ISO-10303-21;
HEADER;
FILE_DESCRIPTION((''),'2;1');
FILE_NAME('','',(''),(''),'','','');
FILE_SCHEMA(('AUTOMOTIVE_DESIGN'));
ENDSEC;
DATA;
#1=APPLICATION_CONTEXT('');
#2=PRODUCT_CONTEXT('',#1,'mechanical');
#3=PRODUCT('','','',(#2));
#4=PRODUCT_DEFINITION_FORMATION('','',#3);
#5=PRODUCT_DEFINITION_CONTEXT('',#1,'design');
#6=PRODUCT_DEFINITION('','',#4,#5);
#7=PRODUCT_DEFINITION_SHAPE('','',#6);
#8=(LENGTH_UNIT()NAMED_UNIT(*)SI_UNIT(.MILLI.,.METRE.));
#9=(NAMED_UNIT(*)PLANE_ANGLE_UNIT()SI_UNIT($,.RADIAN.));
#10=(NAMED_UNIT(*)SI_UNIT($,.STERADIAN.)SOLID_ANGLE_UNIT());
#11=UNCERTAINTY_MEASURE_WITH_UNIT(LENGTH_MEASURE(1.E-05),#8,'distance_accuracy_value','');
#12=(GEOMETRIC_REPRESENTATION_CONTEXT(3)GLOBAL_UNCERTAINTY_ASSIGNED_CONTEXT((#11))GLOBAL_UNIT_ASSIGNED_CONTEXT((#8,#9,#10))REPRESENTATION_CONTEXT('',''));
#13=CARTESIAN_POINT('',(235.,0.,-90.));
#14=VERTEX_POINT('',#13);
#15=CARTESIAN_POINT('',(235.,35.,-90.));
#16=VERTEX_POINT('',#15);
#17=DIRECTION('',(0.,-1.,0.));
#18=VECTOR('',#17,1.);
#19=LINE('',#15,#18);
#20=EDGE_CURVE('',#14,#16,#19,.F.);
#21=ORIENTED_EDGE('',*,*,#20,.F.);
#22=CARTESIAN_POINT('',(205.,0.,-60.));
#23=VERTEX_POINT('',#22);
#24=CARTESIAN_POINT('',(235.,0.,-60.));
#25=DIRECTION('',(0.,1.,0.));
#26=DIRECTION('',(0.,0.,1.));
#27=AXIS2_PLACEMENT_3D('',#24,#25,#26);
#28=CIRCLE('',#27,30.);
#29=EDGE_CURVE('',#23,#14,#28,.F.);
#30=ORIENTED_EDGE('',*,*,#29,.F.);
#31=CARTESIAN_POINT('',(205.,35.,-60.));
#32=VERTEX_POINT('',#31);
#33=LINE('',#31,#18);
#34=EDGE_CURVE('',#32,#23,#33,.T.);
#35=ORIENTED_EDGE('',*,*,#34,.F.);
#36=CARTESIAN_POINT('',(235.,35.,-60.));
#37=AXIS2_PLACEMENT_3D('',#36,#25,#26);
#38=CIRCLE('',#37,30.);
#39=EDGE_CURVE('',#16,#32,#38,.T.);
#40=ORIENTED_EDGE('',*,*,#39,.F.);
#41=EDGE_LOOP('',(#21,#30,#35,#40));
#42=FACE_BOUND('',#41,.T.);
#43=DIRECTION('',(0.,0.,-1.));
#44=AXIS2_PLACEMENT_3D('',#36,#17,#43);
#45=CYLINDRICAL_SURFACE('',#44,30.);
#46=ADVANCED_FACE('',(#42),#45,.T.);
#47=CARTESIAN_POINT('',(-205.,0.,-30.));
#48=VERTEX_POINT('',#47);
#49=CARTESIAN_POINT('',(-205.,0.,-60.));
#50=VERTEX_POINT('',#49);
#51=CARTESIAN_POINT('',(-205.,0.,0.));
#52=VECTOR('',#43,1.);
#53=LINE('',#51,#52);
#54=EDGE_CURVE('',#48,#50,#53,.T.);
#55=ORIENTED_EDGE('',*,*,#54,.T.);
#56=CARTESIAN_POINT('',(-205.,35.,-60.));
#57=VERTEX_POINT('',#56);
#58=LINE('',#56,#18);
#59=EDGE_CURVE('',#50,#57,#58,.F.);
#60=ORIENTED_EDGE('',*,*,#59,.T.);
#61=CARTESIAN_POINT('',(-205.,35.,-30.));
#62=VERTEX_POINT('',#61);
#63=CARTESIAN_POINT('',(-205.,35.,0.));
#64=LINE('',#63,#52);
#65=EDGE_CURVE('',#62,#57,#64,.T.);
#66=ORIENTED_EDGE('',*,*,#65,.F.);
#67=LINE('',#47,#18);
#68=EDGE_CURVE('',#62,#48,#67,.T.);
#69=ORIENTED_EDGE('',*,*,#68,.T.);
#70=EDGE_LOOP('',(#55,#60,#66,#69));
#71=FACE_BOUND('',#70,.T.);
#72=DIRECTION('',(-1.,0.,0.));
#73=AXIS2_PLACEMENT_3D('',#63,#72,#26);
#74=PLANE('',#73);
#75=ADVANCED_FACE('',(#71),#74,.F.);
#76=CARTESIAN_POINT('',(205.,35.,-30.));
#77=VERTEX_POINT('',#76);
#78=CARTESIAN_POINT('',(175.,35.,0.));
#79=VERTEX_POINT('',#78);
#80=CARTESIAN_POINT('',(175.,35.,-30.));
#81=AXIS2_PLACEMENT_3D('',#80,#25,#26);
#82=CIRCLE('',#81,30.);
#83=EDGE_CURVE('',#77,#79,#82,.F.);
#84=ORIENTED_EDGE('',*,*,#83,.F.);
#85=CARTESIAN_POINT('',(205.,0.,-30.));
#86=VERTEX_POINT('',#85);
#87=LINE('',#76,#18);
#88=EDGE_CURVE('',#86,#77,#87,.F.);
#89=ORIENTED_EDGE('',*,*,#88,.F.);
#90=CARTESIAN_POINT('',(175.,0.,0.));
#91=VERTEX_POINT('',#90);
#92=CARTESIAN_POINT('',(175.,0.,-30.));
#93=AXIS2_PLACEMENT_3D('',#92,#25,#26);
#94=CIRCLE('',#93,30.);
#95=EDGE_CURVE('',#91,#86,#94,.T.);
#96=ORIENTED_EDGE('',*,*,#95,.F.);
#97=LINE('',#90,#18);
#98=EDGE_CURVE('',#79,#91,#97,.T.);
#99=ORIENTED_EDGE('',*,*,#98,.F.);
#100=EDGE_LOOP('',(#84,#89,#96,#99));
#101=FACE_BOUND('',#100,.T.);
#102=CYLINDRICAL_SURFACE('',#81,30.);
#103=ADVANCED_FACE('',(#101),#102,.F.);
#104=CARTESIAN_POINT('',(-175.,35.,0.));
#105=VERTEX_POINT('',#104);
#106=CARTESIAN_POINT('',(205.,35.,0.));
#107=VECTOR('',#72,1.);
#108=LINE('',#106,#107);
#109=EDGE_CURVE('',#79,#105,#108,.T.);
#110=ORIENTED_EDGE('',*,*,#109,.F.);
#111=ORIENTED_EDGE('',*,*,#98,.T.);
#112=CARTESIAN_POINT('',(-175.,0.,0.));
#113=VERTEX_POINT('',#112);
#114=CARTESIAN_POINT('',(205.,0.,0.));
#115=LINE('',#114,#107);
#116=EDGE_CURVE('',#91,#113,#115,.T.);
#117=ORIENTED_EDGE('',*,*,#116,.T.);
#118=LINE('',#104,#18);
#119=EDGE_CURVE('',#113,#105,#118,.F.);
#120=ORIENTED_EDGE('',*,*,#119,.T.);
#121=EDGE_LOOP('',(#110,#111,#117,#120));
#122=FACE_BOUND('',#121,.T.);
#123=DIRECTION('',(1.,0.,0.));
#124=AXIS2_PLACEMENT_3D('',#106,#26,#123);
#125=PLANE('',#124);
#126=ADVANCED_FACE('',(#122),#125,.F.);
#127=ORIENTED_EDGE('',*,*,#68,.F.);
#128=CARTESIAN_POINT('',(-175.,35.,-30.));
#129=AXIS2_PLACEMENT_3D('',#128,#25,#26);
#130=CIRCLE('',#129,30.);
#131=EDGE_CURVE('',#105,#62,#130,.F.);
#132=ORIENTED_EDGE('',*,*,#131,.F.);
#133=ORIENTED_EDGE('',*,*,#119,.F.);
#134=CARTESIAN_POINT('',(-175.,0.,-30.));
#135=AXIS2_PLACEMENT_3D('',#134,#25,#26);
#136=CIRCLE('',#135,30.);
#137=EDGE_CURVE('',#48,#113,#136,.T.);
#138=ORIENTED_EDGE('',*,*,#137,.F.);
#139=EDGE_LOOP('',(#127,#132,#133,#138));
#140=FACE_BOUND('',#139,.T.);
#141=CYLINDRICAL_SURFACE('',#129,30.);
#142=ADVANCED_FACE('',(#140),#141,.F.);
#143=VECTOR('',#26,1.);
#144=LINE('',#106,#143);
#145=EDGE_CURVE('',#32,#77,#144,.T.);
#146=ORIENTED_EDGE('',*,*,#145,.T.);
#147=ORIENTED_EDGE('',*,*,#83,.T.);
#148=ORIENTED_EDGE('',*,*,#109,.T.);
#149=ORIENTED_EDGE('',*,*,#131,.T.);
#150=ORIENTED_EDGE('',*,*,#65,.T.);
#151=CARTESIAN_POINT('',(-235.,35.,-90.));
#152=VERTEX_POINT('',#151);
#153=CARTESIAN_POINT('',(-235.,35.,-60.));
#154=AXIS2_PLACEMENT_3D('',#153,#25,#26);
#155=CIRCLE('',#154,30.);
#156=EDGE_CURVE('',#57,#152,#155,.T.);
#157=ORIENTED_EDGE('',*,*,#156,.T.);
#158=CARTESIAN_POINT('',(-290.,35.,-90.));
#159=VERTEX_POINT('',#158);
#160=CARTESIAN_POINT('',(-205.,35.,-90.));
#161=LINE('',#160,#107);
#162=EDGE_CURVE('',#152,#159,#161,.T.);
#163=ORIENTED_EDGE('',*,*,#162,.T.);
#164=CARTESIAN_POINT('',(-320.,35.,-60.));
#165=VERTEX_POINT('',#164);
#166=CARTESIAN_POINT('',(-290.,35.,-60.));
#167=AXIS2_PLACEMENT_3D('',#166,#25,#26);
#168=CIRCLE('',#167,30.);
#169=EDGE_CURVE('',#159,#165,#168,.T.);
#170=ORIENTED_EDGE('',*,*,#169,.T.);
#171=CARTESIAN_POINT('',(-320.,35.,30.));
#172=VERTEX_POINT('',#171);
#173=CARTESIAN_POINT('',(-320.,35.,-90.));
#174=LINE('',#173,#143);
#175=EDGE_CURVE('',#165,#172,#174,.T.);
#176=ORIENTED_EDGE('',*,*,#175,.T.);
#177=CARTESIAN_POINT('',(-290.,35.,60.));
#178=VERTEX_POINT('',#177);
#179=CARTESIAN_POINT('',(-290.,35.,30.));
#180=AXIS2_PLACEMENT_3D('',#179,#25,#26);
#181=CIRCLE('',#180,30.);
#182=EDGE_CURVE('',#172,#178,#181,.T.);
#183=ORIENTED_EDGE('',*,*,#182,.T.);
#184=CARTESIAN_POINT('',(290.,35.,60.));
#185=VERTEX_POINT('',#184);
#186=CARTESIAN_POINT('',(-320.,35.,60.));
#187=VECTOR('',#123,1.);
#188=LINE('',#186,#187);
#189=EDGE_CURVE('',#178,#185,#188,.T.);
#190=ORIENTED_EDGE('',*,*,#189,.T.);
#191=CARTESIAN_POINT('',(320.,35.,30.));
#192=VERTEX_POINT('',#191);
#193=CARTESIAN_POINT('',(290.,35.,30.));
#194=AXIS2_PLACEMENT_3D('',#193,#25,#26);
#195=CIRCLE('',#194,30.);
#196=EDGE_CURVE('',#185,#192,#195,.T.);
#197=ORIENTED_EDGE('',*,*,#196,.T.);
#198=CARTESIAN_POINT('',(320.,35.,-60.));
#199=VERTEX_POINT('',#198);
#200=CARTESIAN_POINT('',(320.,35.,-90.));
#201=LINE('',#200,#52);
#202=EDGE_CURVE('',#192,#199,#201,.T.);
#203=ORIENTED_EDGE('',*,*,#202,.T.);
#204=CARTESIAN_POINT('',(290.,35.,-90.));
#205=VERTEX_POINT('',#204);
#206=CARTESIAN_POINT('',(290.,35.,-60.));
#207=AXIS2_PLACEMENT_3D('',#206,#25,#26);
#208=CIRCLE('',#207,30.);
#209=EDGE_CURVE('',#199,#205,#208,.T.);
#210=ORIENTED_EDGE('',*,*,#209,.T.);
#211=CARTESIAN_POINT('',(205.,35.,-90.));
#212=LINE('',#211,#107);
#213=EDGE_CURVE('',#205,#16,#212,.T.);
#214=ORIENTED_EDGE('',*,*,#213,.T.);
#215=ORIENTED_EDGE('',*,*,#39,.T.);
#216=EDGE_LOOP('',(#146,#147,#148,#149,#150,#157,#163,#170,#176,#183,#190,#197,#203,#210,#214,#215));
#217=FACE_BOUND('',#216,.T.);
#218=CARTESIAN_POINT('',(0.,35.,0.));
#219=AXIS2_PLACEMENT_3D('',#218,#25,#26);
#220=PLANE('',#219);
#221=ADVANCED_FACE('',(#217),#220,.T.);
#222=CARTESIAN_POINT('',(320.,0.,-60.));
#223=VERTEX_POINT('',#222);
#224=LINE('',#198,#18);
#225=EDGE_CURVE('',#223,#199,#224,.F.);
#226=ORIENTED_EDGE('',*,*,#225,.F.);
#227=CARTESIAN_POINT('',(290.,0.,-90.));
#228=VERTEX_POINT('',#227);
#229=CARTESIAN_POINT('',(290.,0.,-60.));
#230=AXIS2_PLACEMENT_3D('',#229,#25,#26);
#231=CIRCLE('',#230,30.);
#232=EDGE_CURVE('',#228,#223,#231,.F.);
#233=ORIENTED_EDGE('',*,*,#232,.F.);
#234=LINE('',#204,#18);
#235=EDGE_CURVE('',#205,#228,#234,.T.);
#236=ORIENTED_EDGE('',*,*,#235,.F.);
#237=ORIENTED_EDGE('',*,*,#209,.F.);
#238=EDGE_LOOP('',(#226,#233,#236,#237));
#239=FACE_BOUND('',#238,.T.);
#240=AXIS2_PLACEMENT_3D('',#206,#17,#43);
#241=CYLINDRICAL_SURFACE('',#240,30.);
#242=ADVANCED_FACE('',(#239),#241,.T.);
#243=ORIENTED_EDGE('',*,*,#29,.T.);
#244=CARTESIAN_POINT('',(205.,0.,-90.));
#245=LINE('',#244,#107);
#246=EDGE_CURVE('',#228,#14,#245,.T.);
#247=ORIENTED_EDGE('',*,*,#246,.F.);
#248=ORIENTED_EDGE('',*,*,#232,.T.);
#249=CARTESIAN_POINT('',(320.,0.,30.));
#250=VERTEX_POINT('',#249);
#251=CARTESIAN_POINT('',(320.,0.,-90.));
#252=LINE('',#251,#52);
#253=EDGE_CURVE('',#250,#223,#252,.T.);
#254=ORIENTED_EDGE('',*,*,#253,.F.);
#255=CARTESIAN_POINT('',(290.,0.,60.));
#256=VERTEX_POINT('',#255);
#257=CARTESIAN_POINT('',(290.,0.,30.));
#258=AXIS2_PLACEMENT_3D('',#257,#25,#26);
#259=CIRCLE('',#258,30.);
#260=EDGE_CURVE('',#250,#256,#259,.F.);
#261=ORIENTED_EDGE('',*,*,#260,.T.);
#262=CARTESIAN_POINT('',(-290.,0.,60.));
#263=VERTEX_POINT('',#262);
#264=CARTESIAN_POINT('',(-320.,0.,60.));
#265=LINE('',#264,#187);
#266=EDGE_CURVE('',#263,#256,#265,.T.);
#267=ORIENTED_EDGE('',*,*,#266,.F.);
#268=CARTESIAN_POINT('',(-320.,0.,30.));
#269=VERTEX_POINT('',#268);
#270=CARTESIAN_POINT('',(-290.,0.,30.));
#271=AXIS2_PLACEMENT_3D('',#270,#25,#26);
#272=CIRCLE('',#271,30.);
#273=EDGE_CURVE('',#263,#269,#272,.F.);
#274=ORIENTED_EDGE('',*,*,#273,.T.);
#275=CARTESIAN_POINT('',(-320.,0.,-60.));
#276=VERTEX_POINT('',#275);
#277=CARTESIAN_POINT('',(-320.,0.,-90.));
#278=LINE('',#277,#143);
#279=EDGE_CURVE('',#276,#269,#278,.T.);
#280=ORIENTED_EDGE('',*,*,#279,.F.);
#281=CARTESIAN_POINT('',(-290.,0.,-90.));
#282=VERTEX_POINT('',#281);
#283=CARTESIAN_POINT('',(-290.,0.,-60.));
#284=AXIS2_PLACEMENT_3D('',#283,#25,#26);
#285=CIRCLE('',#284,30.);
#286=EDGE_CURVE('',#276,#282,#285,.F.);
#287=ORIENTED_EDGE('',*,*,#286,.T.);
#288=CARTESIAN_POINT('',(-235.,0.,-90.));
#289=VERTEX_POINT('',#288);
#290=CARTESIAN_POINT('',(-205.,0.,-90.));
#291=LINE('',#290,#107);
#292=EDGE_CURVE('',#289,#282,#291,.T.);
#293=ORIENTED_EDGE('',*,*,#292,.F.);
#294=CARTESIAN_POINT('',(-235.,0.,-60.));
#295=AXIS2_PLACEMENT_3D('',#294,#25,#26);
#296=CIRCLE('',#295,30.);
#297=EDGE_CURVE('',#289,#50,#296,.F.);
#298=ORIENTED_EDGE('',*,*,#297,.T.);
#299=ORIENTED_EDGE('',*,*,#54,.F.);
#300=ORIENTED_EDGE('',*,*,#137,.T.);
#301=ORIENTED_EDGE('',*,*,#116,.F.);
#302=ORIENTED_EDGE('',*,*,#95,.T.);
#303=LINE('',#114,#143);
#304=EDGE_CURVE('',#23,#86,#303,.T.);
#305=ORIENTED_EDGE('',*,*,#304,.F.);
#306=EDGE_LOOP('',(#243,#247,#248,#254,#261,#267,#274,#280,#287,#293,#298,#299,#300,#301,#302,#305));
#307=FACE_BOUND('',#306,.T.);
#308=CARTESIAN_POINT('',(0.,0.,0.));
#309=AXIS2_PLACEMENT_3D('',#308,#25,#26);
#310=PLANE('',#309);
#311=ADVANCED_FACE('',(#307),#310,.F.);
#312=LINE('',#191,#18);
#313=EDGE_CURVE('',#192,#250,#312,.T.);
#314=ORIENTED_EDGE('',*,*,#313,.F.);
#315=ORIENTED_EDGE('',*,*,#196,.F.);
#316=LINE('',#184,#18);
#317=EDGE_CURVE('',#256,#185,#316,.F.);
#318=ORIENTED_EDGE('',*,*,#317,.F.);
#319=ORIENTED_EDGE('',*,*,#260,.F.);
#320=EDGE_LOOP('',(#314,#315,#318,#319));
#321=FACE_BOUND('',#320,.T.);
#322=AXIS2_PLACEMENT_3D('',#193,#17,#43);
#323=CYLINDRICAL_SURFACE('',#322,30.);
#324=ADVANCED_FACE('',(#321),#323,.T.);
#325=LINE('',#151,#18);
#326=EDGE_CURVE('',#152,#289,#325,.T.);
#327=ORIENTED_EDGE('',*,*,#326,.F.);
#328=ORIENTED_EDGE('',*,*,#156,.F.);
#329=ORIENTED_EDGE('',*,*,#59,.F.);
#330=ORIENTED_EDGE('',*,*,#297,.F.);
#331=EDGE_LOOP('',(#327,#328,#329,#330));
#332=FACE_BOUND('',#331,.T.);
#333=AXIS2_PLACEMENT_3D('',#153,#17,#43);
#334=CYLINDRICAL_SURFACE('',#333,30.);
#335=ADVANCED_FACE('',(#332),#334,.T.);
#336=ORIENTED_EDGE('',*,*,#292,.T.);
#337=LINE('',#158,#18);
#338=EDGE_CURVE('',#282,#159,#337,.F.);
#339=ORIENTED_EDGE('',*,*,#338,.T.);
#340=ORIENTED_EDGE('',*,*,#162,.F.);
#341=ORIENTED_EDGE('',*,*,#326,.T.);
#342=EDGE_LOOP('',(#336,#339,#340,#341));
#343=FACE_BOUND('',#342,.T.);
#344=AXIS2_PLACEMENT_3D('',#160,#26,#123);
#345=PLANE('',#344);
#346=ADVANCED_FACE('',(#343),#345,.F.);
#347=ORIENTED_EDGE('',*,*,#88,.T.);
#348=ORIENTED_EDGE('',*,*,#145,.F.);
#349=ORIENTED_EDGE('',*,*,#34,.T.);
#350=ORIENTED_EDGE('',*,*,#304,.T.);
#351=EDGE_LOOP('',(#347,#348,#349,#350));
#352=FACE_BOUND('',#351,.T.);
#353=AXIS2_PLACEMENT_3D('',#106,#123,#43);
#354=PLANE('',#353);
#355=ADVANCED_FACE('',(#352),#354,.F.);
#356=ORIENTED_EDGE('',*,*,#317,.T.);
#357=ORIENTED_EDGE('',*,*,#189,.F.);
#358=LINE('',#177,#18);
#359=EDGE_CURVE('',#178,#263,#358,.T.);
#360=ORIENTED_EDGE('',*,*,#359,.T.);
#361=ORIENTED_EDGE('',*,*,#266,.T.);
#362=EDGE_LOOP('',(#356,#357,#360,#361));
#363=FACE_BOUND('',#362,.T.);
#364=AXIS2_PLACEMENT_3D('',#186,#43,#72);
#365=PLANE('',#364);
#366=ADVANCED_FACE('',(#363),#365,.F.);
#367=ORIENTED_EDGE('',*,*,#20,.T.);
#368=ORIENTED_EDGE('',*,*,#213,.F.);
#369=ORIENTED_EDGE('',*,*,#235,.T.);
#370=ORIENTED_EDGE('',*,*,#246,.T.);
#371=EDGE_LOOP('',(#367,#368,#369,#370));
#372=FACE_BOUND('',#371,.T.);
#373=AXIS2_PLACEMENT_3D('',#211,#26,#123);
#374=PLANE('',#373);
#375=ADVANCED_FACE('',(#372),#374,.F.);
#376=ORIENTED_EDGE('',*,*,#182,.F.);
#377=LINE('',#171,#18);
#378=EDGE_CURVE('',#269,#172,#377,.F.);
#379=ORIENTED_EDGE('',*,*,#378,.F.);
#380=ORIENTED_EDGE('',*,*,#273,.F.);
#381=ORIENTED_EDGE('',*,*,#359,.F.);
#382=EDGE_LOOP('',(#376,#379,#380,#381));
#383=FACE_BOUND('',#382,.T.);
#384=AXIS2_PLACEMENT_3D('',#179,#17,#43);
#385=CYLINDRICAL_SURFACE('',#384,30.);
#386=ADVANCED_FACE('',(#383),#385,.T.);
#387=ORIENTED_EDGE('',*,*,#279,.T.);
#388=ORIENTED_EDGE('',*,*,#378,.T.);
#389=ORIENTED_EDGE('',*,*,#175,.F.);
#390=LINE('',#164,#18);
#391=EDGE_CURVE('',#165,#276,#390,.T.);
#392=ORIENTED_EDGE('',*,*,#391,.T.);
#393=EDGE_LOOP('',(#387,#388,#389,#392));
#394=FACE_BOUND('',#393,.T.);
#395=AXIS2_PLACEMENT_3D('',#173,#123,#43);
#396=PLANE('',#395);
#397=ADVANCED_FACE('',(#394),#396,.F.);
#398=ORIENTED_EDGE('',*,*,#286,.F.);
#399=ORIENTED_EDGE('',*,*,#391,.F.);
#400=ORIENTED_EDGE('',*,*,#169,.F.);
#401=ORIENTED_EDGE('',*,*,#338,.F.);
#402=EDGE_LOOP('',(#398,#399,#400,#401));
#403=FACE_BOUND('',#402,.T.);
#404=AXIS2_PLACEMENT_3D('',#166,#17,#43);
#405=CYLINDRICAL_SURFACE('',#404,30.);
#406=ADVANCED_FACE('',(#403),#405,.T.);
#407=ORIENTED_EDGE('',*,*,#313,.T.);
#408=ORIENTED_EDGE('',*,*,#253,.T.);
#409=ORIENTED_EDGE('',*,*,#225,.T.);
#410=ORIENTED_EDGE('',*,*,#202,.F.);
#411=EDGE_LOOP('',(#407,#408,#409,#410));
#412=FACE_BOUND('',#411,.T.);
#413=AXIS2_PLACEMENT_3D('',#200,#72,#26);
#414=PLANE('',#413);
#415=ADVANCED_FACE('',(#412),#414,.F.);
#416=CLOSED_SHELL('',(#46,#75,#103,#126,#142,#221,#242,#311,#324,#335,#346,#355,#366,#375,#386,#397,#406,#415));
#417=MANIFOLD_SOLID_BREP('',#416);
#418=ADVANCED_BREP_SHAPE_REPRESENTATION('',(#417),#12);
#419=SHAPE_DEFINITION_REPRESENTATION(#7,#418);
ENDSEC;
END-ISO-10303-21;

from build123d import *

# Parameters (mm, degrees)
EXTRUDE_1_DEPTH = 35
FILLET_1_R      = 30


with BuildPart() as part:
    # 草图1 → 凸台-拉伸1 (new body)
    with BuildSketch(Plane(origin=(0, 0, 0), x_dir=(1, 0, 0), z_dir=(0, 1, 0))):
        Polygon((205, 0), (-205, 0), (-205, 90), (-320, 90), (-320, -60), (320, -60), (320, 90), (205, 90), align=None)
    extrude(amount=EXTRUDE_1_DEPTH)

    # 圆角1
    fillet_1_edges = [part.edges().sort_by_distance(p)[0] for p in [
        (-205, 17.5, 0),
        (205, 17.5, 0),
        (205, 17.5, -90),
        (320, 17.5, -90),
        (320, 17.5, 60),
        (-320, 17.5, 60),
        (-320, 17.5, -90),
        (-205, 17.5, -90),
    ]]
    fillet(fillet_1_edges, radius=FILLET_1_R)


solid = part.part
